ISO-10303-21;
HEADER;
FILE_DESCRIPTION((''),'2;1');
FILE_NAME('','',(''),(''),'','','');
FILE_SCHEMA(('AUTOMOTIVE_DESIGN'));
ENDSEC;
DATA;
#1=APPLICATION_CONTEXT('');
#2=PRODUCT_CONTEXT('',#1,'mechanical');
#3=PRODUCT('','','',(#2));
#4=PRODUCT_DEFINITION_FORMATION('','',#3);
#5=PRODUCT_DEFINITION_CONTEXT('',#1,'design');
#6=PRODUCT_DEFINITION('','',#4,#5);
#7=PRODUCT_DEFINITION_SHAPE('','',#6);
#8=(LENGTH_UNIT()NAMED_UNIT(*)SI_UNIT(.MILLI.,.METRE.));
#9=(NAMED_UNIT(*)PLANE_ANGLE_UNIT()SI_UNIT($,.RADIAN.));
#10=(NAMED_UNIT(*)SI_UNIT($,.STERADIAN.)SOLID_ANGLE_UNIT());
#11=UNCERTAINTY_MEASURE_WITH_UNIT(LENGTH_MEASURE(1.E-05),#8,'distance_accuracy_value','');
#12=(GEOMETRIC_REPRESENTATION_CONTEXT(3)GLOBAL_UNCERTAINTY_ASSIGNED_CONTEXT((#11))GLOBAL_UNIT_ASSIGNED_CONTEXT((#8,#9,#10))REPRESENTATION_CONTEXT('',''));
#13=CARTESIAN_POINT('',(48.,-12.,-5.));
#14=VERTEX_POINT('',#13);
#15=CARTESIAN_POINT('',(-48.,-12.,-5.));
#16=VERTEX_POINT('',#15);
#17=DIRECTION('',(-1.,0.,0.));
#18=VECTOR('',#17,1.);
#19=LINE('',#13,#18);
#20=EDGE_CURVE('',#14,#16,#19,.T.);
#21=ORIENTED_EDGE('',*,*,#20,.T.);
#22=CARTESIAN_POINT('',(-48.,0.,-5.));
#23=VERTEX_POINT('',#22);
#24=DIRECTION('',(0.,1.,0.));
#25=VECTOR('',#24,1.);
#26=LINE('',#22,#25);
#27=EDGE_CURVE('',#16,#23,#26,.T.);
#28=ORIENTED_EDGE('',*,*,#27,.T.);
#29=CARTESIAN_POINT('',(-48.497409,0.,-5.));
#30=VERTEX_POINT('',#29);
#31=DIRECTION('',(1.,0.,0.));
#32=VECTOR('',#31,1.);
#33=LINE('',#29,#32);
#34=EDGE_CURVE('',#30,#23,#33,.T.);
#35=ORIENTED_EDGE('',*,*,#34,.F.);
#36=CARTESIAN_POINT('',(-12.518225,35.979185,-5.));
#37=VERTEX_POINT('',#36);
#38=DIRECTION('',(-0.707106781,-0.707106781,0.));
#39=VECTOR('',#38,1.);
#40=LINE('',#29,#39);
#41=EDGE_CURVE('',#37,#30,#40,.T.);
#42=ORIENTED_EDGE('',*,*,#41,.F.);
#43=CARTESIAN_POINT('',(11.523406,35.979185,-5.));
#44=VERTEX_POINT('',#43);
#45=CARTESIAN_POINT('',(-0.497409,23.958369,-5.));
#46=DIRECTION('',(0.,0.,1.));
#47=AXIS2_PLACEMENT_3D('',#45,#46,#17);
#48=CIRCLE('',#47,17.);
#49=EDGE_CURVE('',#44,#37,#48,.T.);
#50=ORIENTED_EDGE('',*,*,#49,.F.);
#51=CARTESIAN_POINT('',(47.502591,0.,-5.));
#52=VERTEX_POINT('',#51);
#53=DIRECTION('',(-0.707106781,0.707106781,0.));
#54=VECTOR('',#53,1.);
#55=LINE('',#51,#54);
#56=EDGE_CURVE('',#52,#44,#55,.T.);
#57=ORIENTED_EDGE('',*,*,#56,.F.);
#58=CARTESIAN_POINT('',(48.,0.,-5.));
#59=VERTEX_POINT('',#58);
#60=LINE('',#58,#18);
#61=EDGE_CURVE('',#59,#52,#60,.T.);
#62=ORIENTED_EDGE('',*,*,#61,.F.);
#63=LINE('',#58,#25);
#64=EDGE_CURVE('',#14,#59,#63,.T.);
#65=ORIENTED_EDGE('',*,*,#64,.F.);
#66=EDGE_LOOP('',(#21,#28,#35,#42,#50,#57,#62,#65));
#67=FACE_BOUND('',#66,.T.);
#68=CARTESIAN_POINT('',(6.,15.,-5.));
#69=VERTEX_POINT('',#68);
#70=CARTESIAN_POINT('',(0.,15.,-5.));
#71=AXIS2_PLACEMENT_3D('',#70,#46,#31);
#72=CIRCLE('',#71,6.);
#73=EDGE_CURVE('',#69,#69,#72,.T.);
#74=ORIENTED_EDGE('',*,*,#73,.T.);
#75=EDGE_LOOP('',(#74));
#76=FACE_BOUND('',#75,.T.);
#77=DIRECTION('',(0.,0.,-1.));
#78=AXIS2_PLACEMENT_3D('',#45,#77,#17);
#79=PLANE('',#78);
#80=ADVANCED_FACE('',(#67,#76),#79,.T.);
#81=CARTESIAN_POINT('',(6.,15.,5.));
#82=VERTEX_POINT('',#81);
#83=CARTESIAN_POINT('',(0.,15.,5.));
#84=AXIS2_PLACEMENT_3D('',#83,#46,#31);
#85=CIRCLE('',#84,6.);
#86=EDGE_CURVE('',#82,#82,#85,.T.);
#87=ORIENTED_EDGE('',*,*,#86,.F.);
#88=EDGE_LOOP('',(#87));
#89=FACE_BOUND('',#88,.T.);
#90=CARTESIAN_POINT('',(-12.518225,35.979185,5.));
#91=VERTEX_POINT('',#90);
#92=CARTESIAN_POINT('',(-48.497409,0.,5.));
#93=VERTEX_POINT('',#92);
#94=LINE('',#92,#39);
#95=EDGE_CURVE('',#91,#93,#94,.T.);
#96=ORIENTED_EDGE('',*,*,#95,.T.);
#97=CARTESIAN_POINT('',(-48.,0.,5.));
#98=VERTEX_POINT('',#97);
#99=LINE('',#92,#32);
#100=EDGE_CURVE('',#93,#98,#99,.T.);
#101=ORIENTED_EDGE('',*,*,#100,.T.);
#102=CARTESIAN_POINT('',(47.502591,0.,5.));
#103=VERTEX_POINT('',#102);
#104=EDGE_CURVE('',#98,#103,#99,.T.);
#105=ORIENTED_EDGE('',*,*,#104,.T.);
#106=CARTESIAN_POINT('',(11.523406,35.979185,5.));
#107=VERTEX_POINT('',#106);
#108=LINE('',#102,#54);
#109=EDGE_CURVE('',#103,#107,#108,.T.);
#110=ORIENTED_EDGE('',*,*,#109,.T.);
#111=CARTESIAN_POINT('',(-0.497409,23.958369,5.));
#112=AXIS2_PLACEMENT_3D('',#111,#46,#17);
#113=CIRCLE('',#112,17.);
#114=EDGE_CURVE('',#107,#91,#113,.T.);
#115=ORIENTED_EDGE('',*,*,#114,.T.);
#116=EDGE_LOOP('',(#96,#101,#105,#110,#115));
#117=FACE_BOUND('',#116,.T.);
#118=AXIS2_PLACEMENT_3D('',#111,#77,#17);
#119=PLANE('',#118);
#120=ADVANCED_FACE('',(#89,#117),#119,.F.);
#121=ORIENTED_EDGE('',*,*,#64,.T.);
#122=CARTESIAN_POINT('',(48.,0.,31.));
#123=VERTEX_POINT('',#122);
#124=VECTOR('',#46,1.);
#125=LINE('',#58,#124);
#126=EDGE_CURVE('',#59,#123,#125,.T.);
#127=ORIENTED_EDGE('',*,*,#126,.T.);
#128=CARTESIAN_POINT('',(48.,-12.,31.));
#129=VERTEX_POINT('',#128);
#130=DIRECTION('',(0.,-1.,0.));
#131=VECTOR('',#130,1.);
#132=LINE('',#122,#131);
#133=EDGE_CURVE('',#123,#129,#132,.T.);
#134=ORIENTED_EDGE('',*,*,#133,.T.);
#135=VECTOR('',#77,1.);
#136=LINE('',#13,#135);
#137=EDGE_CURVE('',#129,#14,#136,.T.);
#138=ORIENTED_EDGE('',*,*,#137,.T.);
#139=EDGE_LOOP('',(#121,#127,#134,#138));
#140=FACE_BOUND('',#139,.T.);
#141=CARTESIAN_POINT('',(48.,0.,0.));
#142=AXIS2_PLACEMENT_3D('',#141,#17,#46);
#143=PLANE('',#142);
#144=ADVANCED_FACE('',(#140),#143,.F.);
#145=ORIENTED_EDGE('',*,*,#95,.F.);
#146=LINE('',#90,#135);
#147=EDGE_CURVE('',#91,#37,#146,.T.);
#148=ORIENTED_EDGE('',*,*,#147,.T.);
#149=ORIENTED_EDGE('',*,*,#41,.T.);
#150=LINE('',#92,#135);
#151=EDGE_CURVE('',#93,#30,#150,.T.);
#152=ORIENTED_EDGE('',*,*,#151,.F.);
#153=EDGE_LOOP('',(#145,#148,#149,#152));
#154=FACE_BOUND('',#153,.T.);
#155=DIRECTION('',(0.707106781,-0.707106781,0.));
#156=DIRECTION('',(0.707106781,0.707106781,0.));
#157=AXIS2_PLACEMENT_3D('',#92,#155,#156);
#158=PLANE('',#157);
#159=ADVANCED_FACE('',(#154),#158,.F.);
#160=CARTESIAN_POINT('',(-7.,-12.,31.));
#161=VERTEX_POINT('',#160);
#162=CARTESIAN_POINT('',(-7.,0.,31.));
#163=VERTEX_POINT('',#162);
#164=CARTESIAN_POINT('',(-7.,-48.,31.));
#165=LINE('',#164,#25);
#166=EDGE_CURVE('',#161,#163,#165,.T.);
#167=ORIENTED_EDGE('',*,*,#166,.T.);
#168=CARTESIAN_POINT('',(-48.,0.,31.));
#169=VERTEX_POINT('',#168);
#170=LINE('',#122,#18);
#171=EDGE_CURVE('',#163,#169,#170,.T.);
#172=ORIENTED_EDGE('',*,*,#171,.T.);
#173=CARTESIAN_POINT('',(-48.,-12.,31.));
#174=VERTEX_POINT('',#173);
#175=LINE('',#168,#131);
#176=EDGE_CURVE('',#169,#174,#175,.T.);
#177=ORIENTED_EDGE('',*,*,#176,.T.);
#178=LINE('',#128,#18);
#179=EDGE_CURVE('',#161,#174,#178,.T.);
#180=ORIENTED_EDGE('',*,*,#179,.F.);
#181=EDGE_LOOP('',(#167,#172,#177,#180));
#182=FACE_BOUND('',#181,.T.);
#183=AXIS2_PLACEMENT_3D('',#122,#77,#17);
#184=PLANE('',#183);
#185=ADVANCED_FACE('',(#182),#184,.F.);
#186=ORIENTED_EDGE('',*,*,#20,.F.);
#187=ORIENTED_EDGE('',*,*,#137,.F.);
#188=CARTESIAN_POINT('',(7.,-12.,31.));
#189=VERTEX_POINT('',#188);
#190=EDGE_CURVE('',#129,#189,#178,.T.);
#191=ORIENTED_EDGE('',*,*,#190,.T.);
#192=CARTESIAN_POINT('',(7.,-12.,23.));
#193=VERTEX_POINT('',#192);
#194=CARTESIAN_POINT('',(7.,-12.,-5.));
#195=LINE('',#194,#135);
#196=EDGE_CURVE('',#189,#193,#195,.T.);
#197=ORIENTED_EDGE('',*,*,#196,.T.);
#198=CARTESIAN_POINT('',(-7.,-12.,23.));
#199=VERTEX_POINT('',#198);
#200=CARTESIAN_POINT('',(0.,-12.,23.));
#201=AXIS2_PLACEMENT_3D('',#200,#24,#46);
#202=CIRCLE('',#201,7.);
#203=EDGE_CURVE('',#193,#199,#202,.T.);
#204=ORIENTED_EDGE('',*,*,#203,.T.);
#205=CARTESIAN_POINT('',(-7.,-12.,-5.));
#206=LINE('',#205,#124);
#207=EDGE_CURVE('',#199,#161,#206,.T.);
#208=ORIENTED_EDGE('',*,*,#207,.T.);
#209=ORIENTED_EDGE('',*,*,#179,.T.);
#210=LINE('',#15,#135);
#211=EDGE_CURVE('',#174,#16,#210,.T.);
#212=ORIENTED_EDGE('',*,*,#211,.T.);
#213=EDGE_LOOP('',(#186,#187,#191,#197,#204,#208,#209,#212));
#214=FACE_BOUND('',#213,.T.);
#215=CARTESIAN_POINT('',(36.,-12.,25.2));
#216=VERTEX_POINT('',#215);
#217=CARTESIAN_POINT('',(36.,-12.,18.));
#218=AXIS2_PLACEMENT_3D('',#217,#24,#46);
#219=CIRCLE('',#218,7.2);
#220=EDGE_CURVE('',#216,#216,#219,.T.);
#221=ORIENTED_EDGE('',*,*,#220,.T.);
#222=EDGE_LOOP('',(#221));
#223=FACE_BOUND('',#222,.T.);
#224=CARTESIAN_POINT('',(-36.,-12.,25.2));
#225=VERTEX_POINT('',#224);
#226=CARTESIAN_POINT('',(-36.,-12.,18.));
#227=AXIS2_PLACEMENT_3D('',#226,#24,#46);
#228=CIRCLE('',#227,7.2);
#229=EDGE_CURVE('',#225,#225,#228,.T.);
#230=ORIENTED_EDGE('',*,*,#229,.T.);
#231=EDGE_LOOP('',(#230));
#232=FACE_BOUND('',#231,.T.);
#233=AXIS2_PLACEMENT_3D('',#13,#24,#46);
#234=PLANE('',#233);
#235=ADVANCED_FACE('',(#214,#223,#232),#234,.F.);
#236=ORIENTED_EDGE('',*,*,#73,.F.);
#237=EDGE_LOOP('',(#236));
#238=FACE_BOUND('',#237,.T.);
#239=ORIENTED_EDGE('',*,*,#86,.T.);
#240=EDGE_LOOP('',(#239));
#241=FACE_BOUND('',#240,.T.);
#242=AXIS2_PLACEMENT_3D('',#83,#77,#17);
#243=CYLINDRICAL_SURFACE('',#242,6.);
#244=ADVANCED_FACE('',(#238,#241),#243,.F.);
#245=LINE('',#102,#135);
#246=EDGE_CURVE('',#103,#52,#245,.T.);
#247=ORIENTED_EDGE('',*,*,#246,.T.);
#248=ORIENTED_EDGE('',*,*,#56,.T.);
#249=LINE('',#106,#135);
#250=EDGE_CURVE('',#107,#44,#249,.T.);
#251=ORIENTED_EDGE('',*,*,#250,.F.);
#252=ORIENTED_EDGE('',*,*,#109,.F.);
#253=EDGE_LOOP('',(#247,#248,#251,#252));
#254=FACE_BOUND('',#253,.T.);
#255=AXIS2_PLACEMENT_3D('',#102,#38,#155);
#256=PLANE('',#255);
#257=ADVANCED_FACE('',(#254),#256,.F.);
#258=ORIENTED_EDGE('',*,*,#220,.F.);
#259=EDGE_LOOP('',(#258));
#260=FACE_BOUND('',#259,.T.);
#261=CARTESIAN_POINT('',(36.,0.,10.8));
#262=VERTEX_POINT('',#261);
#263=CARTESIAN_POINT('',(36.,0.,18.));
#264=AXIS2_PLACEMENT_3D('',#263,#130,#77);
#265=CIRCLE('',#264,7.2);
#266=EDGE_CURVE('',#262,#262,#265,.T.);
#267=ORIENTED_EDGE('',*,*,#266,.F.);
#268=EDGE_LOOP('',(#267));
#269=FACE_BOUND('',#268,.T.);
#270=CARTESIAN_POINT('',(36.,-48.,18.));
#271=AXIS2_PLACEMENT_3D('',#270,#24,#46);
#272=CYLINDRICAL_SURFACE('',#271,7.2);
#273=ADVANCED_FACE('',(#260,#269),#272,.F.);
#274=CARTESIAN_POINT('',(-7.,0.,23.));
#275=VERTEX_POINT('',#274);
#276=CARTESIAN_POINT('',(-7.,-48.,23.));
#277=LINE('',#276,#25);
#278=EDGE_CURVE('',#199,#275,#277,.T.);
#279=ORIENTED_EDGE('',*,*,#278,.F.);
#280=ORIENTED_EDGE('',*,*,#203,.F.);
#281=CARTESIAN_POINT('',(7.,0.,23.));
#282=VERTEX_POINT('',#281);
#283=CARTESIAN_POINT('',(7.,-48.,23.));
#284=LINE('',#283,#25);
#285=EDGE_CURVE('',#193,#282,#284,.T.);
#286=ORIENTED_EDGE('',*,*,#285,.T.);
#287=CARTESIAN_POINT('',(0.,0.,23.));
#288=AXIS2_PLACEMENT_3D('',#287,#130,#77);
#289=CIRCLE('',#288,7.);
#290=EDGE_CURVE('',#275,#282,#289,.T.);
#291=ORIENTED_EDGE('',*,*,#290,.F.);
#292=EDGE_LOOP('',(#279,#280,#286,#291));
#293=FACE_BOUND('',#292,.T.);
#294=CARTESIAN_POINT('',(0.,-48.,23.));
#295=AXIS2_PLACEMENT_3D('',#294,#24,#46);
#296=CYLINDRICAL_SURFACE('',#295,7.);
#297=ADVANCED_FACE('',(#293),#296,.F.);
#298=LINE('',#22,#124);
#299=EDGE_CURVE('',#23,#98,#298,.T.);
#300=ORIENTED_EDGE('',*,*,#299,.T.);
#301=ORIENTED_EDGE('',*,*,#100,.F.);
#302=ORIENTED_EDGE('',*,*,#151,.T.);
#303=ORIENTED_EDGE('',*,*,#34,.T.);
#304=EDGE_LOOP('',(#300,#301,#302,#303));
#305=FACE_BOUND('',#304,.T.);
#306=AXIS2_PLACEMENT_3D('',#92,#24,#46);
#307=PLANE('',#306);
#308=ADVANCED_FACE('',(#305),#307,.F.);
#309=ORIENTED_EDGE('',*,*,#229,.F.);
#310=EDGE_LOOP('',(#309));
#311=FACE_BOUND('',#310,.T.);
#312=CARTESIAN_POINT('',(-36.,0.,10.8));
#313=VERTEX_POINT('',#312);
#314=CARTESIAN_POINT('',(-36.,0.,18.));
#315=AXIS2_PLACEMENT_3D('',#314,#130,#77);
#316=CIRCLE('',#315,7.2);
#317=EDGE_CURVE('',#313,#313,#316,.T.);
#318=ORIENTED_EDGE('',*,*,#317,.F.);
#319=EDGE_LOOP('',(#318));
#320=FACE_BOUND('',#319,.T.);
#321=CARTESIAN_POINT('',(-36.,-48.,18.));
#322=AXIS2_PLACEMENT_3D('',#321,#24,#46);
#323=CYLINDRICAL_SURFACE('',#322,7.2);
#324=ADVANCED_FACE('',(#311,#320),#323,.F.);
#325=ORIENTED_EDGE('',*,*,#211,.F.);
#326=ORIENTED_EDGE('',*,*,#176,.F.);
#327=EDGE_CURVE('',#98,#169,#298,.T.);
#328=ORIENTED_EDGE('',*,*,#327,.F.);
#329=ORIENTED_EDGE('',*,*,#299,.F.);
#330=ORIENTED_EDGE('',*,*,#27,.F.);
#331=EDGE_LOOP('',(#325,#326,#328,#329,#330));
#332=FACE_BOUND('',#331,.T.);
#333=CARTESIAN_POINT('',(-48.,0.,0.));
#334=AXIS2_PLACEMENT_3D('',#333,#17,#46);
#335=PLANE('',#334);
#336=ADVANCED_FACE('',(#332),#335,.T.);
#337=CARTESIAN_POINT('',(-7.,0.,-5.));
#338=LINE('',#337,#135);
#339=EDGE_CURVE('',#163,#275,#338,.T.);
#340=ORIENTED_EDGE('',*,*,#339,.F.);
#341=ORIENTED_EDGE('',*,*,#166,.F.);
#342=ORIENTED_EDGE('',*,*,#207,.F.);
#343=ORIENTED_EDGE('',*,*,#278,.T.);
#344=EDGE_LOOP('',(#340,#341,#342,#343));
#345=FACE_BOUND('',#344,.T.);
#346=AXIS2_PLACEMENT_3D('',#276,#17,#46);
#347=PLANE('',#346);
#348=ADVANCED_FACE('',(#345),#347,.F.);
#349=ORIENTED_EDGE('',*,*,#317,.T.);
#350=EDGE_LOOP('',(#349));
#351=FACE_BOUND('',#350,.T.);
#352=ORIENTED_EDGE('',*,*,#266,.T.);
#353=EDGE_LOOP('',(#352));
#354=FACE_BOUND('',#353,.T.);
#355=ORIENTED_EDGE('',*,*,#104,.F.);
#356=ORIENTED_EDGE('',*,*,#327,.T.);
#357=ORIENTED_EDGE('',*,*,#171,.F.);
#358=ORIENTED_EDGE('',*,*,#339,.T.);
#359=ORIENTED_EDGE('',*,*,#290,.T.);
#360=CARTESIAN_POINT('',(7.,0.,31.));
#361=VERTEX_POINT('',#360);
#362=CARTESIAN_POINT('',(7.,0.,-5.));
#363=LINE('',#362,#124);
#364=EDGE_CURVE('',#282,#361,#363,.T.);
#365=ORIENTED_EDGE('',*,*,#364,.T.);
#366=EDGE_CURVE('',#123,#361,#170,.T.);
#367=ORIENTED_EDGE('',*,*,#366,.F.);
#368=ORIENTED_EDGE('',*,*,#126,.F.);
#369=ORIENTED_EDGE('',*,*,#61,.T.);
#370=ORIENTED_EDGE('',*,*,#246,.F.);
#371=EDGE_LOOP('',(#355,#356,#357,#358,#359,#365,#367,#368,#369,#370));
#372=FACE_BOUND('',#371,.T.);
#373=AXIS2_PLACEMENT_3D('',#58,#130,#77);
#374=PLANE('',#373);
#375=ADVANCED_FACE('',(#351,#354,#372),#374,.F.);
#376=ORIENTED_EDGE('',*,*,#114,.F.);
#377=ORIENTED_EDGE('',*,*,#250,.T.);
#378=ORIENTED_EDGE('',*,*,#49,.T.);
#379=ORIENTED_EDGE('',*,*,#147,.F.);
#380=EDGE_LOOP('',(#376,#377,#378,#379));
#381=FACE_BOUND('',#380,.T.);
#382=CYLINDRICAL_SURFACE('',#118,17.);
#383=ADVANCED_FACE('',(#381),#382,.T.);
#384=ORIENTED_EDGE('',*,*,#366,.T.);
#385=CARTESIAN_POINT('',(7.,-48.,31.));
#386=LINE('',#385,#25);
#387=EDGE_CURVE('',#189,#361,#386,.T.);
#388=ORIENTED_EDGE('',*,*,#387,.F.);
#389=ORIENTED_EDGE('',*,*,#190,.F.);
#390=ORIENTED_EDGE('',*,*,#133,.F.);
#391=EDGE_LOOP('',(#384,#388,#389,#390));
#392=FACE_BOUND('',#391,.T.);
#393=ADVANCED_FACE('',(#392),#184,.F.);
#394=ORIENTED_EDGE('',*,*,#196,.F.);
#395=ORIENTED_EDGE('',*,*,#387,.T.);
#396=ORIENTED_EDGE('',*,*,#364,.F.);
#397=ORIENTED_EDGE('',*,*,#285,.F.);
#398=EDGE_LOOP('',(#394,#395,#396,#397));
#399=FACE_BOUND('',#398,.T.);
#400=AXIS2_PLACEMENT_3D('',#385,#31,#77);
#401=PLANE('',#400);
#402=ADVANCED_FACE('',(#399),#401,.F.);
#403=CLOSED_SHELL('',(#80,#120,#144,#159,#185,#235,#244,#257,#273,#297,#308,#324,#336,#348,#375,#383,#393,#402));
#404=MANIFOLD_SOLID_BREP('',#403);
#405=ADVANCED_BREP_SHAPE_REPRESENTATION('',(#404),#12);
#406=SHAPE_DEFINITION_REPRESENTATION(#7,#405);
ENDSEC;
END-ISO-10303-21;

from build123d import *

# Parameters (mm, degrees)
SKETCH1_R           = 6
BOSS_EXTRUDE2_DEPTH = 5
SKETCH2_W           = 36
SKETCH2_H           = 12
BOSS_EXTRUDE3_DEPTH = 48
CUT_EXTRUDE1_DEPTH  = 48
SKETCH4_R           = 7.2
CUT_EXTRUDE2_DEPTH  = 48
SKETCH5_R           = 7.2
CUT_EXTRUDE3_DEPTH  = 48


with BuildPart() as part:
    # Sketch1 → Boss-Extrude2 (new body, symmetric)
    with BuildSketch(Plane.XY):
        with BuildLine():
            Line((-48.497409326, 0), (47.502590674, 0))
            Line((47.502590674, 0), (11.523405954, 35.97918472))
            ThreePointArc((11.523405954, 35.97918472), (-0.497409326, 40.95836944), (-12.518224607, 35.97918472))
            Line((-12.518224607, 35.97918472), (-48.497409326, 0))
        make_face()
        with Locations((0, 15)):
            Circle(SKETCH1_R, mode=Mode.SUBTRACT)
    extrude(amount=BOSS_EXTRUDE2_DEPTH, both=True)

    # Sketch2 → Boss-Extrude3 (add, symmetric)
    with BuildSketch(Plane(origin=(0, 0, 0), x_dir=(0, 0, -1), z_dir=(1, 0, 0))):
        with Locations((-13, -6)):
            Rectangle(SKETCH2_W, SKETCH2_H)
    extrude(amount=BOSS_EXTRUDE3_DEPTH, both=True)

    # Sketch3 → Cut-Extrude1 (cut, symmetric)
    with BuildSketch(Plane(origin=(0, 0, 0), x_dir=(1, 0, 0), z_dir=(0, 1, 0))):
        with BuildLine():
            Line((-7, -23), (-7, -31))
            Line((-7, -31), (7, -31))
            Line((7, -31), (7, -23))
            ThreePointArc((7, -23), (4.949747468, -18.050252532), (0, -16))
            ThreePointArc((0, -16), (-4.949747468, -18.050252532), (-7, -23))
        make_face()
    extrude(amount=CUT_EXTRUDE1_DEPTH, both=True, mode=Mode.SUBTRACT)

    # Sketch4 → Cut-Extrude2 (cut, symmetric)
    with BuildSketch(Plane(origin=(0, 0, 0), x_dir=(1, 0, 0), z_dir=(0, 1, 0))):
        with Locations((-36, -18)):
            Circle(SKETCH4_R)
    extrude(amount=CUT_EXTRUDE2_DEPTH, both=True, mode=Mode.SUBTRACT)

    # Sketch5 → Cut-Extrude3 (cut, symmetric)
    with BuildSketch(Plane(origin=(0, 0, 0), x_dir=(1, 0, 0), z_dir=(0, 1, 0))):
        with Locations((36, -18)):
            Circle(SKETCH5_R)
    extrude(amount=CUT_EXTRUDE3_DEPTH, both=True, mode=Mode.SUBTRACT)


solid = part.part
